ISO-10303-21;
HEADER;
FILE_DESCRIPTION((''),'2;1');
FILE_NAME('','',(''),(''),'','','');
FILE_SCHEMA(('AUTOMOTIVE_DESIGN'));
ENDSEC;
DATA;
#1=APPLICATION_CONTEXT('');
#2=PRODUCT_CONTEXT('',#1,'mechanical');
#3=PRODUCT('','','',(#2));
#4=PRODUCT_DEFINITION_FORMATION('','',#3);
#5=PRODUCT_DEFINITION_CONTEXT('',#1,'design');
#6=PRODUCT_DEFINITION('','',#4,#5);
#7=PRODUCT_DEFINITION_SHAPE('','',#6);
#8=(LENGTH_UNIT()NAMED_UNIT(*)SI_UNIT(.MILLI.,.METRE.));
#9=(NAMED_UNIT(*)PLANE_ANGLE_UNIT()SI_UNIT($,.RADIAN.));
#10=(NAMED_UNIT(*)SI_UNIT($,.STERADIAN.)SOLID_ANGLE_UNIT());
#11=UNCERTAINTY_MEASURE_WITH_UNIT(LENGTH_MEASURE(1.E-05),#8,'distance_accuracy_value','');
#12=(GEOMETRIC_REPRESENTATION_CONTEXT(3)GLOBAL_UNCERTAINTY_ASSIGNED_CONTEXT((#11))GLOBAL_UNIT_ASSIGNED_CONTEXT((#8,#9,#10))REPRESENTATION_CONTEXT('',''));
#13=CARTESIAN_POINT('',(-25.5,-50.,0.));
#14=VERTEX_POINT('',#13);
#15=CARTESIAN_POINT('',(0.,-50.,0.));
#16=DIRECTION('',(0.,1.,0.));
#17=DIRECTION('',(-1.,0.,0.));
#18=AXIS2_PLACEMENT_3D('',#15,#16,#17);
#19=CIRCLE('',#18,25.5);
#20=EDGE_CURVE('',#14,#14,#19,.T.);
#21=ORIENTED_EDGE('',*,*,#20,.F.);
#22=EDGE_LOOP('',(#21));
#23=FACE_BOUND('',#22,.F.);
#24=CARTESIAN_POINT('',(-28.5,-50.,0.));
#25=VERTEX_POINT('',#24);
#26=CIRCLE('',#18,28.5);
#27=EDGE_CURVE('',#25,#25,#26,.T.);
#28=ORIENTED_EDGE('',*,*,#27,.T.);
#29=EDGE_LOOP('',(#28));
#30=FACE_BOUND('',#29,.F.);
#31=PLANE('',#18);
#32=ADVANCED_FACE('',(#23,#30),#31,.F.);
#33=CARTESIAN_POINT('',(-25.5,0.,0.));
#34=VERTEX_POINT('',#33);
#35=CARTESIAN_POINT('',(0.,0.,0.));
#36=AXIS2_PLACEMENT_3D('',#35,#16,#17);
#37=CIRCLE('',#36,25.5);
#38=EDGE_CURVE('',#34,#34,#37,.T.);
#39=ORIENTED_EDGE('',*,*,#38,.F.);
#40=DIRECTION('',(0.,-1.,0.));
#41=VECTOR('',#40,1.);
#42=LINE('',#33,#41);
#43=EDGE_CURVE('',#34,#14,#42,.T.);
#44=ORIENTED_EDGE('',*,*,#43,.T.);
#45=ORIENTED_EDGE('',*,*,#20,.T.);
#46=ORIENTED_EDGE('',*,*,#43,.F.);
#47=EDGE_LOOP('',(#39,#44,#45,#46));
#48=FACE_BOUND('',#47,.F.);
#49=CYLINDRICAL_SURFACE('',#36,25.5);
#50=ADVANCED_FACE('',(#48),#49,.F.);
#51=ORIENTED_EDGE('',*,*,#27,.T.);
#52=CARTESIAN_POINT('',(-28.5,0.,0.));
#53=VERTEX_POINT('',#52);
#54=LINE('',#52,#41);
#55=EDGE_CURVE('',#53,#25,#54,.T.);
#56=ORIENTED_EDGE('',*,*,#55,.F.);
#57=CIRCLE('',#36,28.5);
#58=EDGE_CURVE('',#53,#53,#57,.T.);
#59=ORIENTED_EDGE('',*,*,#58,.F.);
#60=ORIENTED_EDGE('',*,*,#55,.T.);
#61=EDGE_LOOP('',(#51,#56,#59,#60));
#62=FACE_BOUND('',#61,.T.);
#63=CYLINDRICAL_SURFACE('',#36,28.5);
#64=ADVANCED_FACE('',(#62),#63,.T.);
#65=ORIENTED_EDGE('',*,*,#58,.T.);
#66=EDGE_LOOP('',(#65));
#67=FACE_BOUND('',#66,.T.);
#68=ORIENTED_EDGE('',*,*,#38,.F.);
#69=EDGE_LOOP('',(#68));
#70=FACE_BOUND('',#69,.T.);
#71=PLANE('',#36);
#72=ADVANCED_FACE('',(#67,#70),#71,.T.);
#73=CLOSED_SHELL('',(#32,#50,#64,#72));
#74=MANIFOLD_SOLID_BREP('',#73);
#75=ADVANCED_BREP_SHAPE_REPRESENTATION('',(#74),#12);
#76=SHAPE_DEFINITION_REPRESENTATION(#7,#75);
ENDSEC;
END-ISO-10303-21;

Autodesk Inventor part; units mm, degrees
ref_plane "YZ Plane" through (0, 0, 0) normal (1, 0, 0) x (0, 1, 0)
ref_plane "XZ Plane" through (0, 0, 0) normal (0, 1, 0) x (-1, 0, 0)
ref_plane "XY Plane" through (0, 0, 0) normal (0, 0, 1) x (1, 0, 0)
sketch "Sketch1" plane through (0, 0, 0) normal (0, 1, 0) x (-1, 0, 0)
  circle A0 centre (0, 0) radius 28.5
  circle A1 centre (0, 0) radius 25.5
  dimension "d0" = 57
  dimension "d1" = 3
extrude "Extrusion1" add sketch "Sketch1" against normal blind 50
properties part number "PRS 940-12 FDS tube 2"
